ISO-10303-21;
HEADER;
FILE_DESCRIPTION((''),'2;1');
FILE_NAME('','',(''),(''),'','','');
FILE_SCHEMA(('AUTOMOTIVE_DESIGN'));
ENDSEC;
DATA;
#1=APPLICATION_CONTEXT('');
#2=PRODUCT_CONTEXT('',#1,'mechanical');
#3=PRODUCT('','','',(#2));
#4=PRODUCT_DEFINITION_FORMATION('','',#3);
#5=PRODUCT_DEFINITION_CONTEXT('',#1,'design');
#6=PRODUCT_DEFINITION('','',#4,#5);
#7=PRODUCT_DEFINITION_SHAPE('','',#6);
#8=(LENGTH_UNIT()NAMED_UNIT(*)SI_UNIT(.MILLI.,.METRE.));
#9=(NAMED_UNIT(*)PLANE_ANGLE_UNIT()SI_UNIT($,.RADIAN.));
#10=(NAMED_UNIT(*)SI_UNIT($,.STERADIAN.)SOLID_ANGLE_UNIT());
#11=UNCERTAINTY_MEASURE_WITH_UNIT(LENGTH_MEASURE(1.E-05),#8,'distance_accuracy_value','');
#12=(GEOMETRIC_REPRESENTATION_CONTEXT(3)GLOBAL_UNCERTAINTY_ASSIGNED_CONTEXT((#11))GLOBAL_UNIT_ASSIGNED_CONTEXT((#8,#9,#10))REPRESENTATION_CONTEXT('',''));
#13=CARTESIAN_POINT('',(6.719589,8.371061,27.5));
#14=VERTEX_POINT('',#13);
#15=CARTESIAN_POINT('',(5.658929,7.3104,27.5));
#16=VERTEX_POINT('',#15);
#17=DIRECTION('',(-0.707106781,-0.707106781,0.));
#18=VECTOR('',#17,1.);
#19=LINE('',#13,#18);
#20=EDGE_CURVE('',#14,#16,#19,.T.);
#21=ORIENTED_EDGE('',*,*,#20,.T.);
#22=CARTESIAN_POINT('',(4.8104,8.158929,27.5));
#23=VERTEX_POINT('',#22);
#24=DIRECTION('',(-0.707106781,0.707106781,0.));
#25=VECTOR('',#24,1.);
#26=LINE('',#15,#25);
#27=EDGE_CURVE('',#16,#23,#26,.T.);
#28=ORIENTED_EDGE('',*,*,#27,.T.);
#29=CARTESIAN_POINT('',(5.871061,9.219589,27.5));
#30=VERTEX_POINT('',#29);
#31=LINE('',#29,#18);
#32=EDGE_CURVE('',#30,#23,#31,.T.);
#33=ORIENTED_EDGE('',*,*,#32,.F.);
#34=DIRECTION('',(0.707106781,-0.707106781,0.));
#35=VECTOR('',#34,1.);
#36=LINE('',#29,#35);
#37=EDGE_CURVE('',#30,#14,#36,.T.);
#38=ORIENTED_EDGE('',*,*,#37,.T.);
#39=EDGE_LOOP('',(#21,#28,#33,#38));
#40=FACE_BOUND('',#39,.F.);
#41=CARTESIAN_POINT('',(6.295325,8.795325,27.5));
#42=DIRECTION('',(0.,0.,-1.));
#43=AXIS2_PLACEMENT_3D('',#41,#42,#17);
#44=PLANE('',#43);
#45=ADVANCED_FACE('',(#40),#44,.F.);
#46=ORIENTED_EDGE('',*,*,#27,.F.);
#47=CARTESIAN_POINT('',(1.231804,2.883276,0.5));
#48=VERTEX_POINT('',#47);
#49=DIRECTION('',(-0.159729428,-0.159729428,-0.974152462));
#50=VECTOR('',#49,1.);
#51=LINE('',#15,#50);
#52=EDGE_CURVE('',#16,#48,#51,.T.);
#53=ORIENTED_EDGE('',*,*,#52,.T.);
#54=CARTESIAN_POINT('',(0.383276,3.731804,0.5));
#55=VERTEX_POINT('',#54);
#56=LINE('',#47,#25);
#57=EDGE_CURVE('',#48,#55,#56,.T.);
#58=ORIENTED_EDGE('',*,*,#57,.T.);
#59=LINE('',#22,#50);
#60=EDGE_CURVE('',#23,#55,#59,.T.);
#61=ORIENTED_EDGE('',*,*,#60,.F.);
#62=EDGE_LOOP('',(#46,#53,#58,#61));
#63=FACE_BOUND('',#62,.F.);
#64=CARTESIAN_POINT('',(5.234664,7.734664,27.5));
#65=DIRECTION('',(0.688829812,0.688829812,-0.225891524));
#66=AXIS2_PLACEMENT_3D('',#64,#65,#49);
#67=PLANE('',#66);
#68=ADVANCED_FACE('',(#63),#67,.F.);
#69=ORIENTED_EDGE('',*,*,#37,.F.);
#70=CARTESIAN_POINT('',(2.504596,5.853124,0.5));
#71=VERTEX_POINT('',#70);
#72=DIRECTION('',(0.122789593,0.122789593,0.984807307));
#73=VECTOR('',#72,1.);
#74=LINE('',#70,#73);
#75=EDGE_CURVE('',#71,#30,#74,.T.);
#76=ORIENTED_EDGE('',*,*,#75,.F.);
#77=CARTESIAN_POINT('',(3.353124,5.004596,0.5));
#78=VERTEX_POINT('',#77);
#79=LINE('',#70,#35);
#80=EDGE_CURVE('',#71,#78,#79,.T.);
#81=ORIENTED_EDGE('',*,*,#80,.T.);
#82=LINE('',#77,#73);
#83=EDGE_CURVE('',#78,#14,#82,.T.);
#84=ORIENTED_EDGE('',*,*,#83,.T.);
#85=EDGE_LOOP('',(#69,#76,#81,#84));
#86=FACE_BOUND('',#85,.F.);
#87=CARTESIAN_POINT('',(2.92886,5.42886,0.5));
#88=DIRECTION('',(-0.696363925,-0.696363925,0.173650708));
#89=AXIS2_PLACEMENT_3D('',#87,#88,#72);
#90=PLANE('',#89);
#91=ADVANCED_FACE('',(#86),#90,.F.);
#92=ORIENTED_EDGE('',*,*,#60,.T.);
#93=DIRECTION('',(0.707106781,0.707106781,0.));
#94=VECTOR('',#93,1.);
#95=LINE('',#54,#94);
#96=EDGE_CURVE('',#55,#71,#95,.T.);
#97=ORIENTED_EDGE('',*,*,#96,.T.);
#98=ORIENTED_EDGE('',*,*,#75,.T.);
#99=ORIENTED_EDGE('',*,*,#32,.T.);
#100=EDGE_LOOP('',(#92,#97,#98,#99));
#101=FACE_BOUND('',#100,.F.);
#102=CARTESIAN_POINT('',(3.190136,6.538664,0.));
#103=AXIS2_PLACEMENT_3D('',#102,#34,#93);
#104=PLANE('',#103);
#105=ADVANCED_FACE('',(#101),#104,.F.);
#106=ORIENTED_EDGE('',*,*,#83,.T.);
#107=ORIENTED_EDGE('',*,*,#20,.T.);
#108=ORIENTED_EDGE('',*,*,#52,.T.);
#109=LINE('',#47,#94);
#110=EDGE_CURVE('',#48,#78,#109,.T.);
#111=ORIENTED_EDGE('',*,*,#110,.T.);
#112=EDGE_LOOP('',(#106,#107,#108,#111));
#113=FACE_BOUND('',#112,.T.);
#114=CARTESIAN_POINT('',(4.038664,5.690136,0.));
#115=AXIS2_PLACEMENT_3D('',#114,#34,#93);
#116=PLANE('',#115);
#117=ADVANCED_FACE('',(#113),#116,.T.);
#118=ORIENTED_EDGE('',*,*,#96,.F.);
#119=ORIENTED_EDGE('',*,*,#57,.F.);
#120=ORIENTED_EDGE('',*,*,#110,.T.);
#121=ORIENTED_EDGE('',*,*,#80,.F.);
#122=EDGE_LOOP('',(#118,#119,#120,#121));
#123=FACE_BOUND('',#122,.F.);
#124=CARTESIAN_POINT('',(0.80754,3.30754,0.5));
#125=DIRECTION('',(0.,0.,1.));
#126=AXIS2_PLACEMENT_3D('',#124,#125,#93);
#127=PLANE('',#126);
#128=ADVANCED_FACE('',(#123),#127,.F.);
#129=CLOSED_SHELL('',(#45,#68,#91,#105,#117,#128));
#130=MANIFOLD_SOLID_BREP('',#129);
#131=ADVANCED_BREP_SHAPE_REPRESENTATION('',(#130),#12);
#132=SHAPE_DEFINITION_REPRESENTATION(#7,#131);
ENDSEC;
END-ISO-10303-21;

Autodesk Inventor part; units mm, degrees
ref_plane "YZ Plane" through (0, 0, 0) normal (1, 0, 0) x (0, 1, 0)
ref_plane "XZ Plane" through (0, 0, 0) normal (0, 1, 0) x (-1, 0, 0)
sketch "Sketch1" plane through (0, 0, 0) normal (0, 0, 1) x (1, 0, 0)
  line L0 (3.6144, -6.1144) -> (3.6144, 6.1144) projected
  line L1 (3.6144, 6.1144) -> (-3.6144, 6.1144) projected
  line L2 (-3.6144, 6.1144) -> (-3.6144, -6.1144) projected
  line L3 (-3.6144, -6.1144) -> (3.6144, -6.1144) projected
  line L4 (5, -7.5) -> (3.6144, -6.1144) projected
  line L5 (5, 7.5) -> (5, -7.5) projected
  line L6 (3.6144, 6.1144) -> (5, 7.5) projected
  line L7 (3.6144, -6.1144) -> (3.6144, 6.1144) projected
  line L8 (3.6144, 6.1144) -> (5, 7.5) projected
  line L9 (-5, 7.5) -> (5, 7.5) projected
  line L10 (-5, 7.5) -> (-3.6144, 6.1144) projected
  line L11 (3.6144, 6.1144) -> (-3.6144, 6.1144) projected
  line L12 (-3.6144, -6.1144) -> (-5, -7.5) projected
  line L13 (-3.6144, 6.1144) -> (-3.6144, -6.1144) projected
  line L14 (-5, 7.5) -> (-3.6144, 6.1144) projected
  line L15 (-5, -7.5) -> (-5, 7.5) projected
  line L16 (5, -7.5) -> (3.6144, -6.1144) projected
  line L17 (-3.6144, -6.1144) -> (3.6144, -6.1144) projected
  line L18 (-3.6144, -6.1144) -> (-5, -7.5) projected
  line L19 (5, -7.5) -> (-5, -7.5) projected
  point P0 (0, 0)
ref_plane "Work Plane2" through (3.6144, 6.1144, 0) normal (0.7071, -0.7071, 0) x (0.7071, 0.7071, 0)
ref_plane "Work Plane1" through (0, 0, 0) normal (0, 0, 1) x (1, 0, 0)
sketch "Sketch2" plane through (3.6144, 6.1144, 0) normal (0.7071, -0.7071, 0) x (0.7071, 0.7071, 0)
  line L0 (-0.9695, 0.5) -> (3.7914, 27.5)
  line L1 (3.7914, 27.5) -> (2.2914, 27.5)
  line L2 (2.2914, 27.5) -> (-3.9695, 0.5)
  line L3 (-3.9695, 0.5) -> (-0.9695, 0.5)
  point P0 (-6.8792, 0)
  dimension "d1" = 1.5
  dimension "d2" = 0.5
  dimension "d3" = 3
  dimension "d4" = 27
  dimension "d5" = 80
extrude "Extrusion1" add sketch "Sketch2" along normal mid plane 1.2
properties part number "Leg"
